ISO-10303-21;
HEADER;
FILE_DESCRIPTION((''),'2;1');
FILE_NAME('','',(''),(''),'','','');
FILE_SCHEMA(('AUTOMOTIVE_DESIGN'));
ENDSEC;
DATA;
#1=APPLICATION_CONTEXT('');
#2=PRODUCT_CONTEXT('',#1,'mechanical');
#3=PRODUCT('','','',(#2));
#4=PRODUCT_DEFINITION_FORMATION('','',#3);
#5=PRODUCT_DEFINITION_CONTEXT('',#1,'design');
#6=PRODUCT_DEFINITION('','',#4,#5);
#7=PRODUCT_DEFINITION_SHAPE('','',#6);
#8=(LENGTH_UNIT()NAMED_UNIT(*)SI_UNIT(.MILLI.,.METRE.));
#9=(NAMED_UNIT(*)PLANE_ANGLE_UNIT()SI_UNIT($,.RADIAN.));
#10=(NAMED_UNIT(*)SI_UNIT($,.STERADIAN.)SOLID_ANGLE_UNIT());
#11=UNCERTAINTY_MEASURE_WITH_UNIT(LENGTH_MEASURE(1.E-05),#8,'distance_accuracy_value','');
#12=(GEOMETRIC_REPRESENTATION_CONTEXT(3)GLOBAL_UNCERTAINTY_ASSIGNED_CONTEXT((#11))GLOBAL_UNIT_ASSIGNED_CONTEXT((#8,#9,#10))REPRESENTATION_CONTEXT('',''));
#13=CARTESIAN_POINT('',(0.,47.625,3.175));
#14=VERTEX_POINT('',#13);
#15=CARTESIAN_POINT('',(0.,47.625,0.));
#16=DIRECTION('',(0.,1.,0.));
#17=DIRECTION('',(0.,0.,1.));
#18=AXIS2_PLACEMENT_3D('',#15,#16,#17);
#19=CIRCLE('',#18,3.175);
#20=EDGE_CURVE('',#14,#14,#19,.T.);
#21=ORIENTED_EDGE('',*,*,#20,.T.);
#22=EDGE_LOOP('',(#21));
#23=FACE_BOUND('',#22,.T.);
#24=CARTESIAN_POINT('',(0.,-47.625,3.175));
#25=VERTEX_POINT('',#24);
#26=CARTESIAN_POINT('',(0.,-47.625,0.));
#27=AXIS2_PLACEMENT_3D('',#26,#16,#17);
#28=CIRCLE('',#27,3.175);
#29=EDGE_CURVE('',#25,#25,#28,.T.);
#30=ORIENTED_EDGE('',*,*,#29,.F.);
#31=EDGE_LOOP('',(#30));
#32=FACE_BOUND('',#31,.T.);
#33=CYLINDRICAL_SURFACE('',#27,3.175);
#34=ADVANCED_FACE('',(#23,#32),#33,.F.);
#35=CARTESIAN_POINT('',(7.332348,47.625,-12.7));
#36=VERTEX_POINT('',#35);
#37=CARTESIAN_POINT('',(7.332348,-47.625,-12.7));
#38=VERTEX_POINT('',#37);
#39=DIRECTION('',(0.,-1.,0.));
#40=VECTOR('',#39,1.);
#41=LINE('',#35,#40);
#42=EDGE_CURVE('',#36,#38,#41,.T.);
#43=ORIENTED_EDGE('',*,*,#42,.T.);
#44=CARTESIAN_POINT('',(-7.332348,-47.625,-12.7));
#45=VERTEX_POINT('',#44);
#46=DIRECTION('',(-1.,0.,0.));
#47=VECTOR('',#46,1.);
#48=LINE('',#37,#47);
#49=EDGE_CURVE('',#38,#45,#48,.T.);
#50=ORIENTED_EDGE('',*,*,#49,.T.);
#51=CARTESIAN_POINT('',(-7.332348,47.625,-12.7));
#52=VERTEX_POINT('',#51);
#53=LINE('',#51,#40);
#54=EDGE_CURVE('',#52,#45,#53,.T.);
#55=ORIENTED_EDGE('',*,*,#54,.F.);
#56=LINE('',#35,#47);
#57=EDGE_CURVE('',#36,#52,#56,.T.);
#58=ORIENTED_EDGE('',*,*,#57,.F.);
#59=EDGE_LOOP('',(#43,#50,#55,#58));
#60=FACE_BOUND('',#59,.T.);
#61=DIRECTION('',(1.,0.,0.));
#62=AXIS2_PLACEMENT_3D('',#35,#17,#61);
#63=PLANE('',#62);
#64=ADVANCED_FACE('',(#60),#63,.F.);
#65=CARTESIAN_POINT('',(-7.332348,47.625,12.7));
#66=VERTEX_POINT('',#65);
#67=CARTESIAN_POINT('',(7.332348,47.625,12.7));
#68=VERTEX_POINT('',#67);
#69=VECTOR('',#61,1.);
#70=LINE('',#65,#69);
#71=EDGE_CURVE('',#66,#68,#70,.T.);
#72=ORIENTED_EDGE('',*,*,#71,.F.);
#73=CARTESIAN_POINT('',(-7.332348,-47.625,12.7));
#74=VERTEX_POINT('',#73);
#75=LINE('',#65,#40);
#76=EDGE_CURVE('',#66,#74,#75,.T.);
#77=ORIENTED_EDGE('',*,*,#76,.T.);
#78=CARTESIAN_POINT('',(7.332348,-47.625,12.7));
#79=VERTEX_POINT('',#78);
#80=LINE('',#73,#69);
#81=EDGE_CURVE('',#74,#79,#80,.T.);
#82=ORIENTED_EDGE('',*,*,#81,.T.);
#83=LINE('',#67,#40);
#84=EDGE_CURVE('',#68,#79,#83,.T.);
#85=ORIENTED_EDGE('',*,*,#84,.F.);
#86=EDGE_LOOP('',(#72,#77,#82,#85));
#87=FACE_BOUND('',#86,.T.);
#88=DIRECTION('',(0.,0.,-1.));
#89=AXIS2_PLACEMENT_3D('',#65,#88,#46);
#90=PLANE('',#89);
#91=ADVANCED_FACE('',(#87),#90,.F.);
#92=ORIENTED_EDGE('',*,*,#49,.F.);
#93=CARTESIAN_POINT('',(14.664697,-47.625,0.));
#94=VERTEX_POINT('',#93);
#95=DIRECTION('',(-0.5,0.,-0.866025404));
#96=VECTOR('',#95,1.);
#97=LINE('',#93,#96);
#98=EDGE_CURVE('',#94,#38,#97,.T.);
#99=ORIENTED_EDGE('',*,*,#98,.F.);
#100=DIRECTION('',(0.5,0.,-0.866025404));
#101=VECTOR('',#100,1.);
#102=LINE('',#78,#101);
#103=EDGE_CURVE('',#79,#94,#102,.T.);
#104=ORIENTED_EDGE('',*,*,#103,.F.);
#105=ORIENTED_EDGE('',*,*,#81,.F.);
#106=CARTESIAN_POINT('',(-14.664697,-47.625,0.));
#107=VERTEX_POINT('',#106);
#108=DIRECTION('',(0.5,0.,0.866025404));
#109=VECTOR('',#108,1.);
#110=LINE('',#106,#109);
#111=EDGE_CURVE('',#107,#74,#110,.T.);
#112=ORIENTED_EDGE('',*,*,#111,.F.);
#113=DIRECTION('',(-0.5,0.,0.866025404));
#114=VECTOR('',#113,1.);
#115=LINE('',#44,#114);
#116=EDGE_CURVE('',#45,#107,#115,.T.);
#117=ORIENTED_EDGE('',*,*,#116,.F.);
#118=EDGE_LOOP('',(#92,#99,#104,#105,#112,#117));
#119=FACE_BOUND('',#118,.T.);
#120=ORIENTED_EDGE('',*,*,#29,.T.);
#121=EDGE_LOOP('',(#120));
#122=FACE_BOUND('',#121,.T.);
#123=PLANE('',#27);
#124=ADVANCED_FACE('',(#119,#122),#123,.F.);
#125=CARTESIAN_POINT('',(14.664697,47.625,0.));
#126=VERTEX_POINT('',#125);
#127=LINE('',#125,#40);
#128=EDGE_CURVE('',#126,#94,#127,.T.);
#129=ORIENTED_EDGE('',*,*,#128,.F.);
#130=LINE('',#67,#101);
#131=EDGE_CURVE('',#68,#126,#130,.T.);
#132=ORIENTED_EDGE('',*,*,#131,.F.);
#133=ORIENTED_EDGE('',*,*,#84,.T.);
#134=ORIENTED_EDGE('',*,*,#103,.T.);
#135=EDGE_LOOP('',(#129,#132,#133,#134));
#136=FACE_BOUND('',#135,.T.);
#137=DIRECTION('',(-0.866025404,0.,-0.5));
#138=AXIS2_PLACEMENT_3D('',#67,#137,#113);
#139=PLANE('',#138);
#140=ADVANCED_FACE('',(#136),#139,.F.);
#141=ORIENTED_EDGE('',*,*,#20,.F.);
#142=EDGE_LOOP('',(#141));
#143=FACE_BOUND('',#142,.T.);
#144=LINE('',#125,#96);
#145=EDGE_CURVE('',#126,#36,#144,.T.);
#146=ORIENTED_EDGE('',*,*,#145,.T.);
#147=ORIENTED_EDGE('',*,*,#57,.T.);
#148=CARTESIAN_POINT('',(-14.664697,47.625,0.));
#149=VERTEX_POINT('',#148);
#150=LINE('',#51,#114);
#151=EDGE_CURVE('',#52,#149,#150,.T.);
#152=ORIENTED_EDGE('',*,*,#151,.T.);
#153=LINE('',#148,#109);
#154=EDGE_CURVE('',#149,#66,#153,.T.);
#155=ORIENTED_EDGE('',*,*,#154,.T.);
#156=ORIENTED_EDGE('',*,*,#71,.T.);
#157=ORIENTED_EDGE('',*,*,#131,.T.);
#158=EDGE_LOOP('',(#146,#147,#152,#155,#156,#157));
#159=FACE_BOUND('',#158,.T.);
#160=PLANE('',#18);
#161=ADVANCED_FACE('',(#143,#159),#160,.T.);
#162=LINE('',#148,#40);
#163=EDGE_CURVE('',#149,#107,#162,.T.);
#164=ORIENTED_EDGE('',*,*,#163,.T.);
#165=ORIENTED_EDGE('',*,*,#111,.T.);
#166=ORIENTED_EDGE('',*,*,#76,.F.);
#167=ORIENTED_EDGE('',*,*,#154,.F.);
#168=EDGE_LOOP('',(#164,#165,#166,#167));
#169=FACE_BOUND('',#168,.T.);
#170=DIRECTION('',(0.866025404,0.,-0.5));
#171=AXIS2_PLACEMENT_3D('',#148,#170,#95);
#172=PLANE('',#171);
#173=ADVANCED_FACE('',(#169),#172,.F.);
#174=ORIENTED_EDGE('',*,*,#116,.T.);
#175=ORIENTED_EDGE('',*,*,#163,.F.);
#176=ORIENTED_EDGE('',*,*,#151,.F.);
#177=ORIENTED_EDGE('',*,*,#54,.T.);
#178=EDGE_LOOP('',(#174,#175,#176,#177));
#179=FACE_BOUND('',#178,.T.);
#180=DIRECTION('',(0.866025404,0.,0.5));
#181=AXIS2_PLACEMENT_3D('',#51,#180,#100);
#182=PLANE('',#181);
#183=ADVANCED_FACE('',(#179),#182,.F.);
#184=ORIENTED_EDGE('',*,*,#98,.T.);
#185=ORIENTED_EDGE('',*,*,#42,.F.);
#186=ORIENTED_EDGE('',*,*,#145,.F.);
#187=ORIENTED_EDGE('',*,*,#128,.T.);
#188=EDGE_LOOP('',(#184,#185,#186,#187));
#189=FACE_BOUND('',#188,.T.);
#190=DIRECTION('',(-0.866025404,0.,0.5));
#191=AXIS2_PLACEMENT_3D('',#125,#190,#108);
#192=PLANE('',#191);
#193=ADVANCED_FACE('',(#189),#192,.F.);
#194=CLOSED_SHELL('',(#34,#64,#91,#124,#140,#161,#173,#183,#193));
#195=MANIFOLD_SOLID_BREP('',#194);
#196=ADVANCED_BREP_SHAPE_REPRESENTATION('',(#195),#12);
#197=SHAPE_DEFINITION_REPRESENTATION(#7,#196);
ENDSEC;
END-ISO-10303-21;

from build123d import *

# Parameters (mm, degrees)
BOSS_EXTRUDE1_DEPTH = 47.625
SKETCH2_R           = 3.175
CUT_EXTRUDE1_DEPTH  = 98.205482527


with BuildPart() as part:
    # Sketch1 → Boss-Extrude1 (new, symmetric)
    with BuildSketch(Plane(origin=(0, 0, 0), x_dir=(1, 0, 0), z_dir=(0, 1, 0))):
        Polygon((-14.664696837, 0), (-7.332348419, -12.7), (7.332348419, -12.7), (14.664696837, 0), (7.332348419, 12.7), (-7.332348419, 12.7), align=None)
    extrude(amount=BOSS_EXTRUDE1_DEPTH, both=True)

    # Sketch2 → Cut-Extrude1 (cut, through all)
    with BuildSketch(Plane(origin=(0, 47.625, 0), x_dir=(1, 0, 0), z_dir=(0, 1, 0))):
        with Locations(Location((0, 0, 0), (0, 0, 270))):
            Circle(SKETCH2_R)
    extrude(amount=-CUT_EXTRUDE1_DEPTH, mode=Mode.SUBTRACT)


solid = part.part
